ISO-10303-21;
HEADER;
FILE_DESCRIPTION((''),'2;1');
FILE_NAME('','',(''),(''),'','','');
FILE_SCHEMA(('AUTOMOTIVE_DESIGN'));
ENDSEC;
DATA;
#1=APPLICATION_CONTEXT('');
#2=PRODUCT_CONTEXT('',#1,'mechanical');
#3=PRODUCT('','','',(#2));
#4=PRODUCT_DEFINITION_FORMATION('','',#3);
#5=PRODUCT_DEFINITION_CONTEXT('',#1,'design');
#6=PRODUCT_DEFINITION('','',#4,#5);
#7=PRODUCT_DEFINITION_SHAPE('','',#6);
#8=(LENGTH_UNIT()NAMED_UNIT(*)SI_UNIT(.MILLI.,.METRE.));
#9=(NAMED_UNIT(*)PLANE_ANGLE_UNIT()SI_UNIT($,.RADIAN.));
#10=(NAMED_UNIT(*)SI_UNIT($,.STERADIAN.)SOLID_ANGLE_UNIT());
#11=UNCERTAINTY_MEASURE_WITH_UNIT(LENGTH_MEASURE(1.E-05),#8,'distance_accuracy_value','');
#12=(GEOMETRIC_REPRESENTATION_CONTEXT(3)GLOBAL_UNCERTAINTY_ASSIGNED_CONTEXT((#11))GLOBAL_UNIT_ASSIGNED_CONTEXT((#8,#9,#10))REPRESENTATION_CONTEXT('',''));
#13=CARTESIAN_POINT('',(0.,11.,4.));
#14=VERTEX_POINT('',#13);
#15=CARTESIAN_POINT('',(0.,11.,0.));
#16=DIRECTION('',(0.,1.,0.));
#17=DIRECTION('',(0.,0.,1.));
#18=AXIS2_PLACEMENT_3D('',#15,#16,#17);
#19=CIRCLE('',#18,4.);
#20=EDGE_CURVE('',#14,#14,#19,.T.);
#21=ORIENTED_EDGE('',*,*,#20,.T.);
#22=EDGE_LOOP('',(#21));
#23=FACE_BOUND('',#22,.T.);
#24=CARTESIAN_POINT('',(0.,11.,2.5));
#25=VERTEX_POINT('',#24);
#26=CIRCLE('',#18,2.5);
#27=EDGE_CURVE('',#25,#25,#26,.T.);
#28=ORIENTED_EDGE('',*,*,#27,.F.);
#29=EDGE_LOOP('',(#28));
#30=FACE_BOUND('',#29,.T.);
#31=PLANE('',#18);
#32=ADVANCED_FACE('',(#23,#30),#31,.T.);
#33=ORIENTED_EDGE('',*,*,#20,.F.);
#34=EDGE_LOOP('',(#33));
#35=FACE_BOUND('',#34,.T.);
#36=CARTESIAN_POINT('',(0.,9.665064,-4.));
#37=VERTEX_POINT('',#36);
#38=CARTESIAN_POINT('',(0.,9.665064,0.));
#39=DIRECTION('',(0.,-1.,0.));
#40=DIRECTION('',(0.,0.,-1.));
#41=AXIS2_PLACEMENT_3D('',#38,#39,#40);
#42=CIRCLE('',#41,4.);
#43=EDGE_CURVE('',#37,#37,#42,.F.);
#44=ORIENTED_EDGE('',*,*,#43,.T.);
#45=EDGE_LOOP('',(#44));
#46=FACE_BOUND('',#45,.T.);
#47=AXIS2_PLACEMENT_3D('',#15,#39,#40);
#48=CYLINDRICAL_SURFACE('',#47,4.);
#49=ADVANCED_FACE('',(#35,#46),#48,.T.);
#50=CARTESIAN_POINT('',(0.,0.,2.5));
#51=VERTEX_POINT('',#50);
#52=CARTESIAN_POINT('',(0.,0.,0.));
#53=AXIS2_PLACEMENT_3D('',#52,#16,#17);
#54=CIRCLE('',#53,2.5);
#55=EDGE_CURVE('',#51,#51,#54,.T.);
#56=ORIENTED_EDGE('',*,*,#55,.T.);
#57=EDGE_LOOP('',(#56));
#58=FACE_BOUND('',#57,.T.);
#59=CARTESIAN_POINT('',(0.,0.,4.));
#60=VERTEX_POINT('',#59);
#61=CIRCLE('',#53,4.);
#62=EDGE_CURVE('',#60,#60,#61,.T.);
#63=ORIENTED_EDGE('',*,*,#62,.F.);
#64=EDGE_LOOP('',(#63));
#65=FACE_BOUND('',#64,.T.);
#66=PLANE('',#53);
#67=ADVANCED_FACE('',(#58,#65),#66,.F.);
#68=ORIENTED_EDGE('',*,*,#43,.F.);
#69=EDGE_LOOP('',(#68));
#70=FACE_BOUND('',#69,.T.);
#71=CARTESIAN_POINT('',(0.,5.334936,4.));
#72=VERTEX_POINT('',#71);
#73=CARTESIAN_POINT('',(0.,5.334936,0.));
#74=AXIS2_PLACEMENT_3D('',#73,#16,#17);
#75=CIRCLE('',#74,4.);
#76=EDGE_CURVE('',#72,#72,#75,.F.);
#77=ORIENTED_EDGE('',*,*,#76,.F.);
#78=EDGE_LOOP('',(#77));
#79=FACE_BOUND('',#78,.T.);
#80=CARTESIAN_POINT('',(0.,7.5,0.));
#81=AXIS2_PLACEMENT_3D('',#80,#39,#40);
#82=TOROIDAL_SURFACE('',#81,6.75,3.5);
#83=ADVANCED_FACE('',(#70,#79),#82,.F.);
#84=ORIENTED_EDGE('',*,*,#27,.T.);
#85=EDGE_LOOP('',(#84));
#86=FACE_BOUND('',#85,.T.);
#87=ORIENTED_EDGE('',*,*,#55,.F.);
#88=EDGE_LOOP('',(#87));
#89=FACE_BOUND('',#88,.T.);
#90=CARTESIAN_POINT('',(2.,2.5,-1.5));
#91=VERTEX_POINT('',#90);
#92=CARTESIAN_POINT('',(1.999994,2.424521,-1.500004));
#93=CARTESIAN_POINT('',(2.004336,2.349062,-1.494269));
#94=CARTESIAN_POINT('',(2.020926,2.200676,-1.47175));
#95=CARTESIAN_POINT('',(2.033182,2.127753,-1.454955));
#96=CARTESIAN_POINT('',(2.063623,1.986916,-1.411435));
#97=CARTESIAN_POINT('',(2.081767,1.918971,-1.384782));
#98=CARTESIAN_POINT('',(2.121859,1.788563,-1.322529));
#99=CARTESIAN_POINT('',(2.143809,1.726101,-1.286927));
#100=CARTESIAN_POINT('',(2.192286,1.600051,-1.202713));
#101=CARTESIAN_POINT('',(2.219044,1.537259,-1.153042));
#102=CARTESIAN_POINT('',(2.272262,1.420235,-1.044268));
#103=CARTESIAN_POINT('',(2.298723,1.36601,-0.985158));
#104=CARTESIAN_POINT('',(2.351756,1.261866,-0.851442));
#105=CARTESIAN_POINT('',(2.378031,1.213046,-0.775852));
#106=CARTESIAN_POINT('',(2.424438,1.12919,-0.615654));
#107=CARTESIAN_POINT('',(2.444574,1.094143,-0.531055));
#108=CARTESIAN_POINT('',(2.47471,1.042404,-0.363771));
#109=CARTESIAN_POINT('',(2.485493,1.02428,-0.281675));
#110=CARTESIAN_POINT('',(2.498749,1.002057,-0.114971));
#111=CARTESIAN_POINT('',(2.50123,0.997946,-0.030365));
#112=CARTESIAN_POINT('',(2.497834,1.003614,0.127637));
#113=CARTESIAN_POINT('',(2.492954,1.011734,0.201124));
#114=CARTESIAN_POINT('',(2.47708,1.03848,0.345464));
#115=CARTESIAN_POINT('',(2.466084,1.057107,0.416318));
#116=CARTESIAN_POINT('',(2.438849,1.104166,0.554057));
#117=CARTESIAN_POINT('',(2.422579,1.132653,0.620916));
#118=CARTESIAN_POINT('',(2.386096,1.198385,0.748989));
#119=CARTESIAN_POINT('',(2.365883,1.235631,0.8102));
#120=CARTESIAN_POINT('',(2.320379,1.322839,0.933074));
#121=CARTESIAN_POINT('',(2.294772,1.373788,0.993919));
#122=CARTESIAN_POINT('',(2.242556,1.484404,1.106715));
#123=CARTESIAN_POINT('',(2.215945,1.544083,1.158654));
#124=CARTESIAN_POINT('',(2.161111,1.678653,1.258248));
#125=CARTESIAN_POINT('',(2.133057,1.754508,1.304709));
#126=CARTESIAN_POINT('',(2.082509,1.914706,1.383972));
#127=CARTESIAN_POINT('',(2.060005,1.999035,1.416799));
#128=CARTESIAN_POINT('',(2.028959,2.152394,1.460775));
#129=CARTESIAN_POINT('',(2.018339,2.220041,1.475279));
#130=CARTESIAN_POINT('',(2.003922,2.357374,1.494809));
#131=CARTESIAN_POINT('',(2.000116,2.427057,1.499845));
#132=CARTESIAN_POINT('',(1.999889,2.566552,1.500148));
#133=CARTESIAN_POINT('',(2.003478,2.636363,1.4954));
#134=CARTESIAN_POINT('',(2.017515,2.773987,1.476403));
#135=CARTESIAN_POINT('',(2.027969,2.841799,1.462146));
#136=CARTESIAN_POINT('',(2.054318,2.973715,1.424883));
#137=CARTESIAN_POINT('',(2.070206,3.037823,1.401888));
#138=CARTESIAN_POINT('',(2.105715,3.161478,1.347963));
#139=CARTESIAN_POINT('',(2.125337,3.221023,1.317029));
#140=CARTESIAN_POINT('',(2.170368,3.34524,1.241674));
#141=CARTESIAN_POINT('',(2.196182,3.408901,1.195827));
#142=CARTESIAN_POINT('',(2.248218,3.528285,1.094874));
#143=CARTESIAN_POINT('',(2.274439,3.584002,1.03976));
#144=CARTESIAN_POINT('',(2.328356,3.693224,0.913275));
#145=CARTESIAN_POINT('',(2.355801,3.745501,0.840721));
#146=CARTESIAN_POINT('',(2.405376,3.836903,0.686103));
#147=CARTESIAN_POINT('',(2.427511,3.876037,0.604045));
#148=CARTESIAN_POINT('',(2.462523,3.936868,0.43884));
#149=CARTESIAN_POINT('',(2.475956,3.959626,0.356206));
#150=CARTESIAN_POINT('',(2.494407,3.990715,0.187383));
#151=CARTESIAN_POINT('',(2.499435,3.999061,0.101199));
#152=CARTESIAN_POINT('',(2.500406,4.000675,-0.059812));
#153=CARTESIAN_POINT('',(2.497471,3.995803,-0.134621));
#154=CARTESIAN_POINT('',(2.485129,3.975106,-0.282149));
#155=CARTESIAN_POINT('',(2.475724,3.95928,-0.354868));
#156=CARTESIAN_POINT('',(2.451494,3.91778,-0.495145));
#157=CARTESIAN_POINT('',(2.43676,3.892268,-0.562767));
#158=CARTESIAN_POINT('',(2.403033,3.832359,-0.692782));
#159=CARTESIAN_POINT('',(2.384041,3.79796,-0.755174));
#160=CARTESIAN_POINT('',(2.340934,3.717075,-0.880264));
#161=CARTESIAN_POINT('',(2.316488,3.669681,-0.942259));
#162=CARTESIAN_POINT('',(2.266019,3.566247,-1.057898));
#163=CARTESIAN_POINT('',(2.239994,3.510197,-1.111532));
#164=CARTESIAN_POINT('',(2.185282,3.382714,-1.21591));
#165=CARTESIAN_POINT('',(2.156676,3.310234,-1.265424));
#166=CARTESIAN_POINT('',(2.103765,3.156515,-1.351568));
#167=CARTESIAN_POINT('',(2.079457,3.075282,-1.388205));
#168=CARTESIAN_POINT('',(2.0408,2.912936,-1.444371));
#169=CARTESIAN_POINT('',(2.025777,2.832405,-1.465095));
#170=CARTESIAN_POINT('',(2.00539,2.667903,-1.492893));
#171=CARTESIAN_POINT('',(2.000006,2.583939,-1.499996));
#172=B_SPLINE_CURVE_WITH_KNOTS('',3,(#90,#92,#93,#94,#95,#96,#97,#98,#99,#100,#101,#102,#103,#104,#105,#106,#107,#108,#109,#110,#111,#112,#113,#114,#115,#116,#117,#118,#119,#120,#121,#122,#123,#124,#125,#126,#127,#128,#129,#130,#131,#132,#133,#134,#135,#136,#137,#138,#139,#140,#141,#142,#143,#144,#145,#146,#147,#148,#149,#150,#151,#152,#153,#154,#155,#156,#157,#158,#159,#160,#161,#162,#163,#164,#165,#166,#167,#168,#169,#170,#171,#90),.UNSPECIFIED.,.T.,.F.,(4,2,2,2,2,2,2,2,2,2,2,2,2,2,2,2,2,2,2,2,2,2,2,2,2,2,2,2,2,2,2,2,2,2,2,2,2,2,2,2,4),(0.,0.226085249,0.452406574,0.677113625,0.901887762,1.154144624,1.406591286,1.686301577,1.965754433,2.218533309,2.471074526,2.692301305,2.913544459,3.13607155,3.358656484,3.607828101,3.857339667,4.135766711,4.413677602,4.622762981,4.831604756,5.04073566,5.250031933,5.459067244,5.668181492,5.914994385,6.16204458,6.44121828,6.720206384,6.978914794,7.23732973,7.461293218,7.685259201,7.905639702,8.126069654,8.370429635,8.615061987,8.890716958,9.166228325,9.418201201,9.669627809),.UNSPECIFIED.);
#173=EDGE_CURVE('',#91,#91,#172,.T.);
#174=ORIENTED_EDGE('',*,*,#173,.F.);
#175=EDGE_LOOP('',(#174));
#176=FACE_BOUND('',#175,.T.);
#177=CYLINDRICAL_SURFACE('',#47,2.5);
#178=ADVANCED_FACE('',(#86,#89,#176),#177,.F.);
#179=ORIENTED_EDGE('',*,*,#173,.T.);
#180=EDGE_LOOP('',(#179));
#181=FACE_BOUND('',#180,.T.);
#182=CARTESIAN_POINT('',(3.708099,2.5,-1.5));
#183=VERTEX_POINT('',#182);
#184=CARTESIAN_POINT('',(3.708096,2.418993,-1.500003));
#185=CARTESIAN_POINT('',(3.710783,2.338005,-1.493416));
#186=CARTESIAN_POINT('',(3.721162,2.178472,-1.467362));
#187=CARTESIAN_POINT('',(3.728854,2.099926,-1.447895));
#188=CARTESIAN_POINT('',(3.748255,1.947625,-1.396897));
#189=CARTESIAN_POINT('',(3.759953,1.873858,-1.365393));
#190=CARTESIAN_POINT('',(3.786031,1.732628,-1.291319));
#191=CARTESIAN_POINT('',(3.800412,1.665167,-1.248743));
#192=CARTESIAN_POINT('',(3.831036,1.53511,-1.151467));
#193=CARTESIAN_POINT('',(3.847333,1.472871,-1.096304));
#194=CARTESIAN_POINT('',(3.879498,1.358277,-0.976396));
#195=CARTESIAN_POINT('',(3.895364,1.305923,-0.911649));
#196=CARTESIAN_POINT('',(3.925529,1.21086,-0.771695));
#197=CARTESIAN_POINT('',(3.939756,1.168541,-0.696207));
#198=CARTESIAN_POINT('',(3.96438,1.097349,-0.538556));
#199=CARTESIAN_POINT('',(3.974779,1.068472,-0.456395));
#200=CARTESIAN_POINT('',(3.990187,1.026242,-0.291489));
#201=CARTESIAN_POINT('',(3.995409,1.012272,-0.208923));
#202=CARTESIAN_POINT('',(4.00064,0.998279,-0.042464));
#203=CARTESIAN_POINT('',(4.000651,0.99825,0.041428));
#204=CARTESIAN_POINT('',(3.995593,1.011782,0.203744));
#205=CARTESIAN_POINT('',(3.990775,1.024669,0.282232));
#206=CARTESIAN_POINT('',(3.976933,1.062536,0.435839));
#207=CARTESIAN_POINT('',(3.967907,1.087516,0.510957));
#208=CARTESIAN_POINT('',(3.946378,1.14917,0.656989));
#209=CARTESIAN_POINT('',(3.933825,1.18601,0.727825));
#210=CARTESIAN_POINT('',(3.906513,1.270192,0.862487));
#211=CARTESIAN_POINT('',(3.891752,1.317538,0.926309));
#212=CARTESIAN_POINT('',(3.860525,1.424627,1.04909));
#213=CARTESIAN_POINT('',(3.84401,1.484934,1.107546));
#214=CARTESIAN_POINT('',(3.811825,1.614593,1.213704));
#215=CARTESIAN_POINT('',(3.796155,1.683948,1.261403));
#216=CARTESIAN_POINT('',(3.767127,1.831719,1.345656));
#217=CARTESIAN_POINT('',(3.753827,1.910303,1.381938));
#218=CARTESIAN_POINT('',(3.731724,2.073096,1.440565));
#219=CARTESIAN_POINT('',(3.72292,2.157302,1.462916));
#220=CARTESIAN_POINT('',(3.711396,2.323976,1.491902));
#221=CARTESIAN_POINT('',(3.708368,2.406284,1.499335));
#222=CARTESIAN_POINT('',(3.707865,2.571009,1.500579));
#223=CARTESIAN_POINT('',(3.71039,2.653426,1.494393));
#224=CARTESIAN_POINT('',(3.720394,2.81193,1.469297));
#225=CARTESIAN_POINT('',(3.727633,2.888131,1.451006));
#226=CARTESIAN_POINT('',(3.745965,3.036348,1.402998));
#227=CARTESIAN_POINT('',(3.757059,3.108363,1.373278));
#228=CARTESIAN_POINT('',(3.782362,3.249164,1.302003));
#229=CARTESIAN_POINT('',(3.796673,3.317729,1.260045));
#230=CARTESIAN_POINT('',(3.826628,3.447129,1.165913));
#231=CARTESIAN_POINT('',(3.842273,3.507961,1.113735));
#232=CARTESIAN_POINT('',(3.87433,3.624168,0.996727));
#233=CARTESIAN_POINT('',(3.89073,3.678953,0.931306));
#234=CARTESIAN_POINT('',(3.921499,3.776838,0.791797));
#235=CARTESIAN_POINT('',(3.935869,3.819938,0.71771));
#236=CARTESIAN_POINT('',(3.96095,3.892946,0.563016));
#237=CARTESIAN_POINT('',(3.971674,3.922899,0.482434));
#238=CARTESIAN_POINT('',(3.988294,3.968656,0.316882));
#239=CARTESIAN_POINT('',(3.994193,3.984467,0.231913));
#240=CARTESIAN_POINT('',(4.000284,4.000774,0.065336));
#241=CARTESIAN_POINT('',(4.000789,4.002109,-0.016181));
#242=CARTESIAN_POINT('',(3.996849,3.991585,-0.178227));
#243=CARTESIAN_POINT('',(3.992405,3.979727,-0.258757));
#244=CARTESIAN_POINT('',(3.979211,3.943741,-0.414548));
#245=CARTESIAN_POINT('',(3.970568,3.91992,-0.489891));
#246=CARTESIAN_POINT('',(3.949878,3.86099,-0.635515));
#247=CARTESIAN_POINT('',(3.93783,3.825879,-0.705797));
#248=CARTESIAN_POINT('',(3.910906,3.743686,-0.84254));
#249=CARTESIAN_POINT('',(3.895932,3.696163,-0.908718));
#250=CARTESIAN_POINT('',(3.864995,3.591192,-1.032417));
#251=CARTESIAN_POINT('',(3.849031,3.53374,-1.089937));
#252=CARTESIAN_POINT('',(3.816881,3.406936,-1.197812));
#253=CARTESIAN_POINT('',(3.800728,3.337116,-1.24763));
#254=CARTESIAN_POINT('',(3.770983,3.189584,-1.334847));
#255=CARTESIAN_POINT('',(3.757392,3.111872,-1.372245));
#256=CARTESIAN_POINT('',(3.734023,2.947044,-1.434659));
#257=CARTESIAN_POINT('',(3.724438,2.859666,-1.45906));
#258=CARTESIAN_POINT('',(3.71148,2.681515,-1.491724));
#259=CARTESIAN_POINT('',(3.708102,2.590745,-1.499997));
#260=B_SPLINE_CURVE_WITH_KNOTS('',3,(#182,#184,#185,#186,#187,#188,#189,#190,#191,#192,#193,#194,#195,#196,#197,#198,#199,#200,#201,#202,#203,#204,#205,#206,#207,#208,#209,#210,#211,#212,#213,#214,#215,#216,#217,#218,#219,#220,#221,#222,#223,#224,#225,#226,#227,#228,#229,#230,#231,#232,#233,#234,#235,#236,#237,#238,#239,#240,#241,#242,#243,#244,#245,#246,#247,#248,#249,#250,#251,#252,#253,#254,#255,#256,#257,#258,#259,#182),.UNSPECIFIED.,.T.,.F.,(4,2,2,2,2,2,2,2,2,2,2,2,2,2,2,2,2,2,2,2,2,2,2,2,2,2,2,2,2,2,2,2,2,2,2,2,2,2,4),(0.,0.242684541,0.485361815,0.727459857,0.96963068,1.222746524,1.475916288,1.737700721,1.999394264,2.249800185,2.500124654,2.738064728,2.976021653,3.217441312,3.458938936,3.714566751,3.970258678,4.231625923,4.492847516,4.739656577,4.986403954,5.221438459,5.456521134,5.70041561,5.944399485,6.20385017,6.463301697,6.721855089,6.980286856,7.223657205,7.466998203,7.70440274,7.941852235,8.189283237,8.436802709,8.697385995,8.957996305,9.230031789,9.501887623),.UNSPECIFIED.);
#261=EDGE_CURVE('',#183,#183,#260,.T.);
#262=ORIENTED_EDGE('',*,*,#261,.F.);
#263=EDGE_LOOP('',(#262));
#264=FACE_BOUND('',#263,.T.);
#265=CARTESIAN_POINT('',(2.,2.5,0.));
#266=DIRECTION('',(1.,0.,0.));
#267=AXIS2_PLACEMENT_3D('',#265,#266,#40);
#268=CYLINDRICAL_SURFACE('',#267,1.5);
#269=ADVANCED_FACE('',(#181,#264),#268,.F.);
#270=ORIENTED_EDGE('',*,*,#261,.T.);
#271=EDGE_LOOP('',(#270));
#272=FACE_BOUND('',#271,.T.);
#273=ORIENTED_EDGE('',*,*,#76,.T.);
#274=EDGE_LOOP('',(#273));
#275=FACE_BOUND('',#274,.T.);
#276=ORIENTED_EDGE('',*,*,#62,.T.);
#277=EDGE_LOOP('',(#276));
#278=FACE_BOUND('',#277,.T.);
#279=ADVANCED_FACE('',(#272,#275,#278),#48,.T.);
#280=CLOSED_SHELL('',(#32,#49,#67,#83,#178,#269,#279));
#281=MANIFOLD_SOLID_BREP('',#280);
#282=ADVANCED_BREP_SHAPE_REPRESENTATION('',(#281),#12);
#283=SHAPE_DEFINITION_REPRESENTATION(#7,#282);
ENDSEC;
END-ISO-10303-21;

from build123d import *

# Parameters (mm, degrees)
CROQUIS1_R              = 4
CROQUIS1_R_2            = 2.5
SALIENTE_EXTRUIR1_DEPTH = 11
CROQUIS2_R              = 1.5
CORTAR_EXTRUIR2_DEPTH   = 2
CROQUIS3_R              = 3.5
CROQUIS3_R_2            = 3


with BuildPart() as part:
    # Croquis1 → Saliente-Extruir1 (new body)
    with BuildSketch(Plane(origin=(0, 0, 0), x_dir=(1, 0, 0), z_dir=(0, 1, 0))):
        Circle(CROQUIS1_R)
        Circle(CROQUIS1_R_2, mode=Mode.SUBTRACT)
    extrude(amount=SALIENTE_EXTRUIR1_DEPTH)

    # Croquis2 → Cortar-Extruir2 (cut)
    with BuildSketch(Plane(origin=(4, 0, 0), x_dir=(0, 0, -1), z_dir=(1, 0, 0))):
        with Locations((0, 2.5)):
            Circle(CROQUIS2_R)
    extrude(amount=-CORTAR_EXTRUIR2_DEPTH, mode=Mode.SUBTRACT)

    # Croquis3 → Cortar-Revolución2 (revolve, cut)
    with BuildSketch(Plane.XY):
        with Locations((6.75, 7.5)):
            Circle(CROQUIS3_R)
        with Locations((-6.75, 7.5)):
            Circle(CROQUIS3_R_2)
    revolve(axis=Axis((0, 0, 0), (0, 1, 0)), mode=Mode.SUBTRACT)


solid = part.part
